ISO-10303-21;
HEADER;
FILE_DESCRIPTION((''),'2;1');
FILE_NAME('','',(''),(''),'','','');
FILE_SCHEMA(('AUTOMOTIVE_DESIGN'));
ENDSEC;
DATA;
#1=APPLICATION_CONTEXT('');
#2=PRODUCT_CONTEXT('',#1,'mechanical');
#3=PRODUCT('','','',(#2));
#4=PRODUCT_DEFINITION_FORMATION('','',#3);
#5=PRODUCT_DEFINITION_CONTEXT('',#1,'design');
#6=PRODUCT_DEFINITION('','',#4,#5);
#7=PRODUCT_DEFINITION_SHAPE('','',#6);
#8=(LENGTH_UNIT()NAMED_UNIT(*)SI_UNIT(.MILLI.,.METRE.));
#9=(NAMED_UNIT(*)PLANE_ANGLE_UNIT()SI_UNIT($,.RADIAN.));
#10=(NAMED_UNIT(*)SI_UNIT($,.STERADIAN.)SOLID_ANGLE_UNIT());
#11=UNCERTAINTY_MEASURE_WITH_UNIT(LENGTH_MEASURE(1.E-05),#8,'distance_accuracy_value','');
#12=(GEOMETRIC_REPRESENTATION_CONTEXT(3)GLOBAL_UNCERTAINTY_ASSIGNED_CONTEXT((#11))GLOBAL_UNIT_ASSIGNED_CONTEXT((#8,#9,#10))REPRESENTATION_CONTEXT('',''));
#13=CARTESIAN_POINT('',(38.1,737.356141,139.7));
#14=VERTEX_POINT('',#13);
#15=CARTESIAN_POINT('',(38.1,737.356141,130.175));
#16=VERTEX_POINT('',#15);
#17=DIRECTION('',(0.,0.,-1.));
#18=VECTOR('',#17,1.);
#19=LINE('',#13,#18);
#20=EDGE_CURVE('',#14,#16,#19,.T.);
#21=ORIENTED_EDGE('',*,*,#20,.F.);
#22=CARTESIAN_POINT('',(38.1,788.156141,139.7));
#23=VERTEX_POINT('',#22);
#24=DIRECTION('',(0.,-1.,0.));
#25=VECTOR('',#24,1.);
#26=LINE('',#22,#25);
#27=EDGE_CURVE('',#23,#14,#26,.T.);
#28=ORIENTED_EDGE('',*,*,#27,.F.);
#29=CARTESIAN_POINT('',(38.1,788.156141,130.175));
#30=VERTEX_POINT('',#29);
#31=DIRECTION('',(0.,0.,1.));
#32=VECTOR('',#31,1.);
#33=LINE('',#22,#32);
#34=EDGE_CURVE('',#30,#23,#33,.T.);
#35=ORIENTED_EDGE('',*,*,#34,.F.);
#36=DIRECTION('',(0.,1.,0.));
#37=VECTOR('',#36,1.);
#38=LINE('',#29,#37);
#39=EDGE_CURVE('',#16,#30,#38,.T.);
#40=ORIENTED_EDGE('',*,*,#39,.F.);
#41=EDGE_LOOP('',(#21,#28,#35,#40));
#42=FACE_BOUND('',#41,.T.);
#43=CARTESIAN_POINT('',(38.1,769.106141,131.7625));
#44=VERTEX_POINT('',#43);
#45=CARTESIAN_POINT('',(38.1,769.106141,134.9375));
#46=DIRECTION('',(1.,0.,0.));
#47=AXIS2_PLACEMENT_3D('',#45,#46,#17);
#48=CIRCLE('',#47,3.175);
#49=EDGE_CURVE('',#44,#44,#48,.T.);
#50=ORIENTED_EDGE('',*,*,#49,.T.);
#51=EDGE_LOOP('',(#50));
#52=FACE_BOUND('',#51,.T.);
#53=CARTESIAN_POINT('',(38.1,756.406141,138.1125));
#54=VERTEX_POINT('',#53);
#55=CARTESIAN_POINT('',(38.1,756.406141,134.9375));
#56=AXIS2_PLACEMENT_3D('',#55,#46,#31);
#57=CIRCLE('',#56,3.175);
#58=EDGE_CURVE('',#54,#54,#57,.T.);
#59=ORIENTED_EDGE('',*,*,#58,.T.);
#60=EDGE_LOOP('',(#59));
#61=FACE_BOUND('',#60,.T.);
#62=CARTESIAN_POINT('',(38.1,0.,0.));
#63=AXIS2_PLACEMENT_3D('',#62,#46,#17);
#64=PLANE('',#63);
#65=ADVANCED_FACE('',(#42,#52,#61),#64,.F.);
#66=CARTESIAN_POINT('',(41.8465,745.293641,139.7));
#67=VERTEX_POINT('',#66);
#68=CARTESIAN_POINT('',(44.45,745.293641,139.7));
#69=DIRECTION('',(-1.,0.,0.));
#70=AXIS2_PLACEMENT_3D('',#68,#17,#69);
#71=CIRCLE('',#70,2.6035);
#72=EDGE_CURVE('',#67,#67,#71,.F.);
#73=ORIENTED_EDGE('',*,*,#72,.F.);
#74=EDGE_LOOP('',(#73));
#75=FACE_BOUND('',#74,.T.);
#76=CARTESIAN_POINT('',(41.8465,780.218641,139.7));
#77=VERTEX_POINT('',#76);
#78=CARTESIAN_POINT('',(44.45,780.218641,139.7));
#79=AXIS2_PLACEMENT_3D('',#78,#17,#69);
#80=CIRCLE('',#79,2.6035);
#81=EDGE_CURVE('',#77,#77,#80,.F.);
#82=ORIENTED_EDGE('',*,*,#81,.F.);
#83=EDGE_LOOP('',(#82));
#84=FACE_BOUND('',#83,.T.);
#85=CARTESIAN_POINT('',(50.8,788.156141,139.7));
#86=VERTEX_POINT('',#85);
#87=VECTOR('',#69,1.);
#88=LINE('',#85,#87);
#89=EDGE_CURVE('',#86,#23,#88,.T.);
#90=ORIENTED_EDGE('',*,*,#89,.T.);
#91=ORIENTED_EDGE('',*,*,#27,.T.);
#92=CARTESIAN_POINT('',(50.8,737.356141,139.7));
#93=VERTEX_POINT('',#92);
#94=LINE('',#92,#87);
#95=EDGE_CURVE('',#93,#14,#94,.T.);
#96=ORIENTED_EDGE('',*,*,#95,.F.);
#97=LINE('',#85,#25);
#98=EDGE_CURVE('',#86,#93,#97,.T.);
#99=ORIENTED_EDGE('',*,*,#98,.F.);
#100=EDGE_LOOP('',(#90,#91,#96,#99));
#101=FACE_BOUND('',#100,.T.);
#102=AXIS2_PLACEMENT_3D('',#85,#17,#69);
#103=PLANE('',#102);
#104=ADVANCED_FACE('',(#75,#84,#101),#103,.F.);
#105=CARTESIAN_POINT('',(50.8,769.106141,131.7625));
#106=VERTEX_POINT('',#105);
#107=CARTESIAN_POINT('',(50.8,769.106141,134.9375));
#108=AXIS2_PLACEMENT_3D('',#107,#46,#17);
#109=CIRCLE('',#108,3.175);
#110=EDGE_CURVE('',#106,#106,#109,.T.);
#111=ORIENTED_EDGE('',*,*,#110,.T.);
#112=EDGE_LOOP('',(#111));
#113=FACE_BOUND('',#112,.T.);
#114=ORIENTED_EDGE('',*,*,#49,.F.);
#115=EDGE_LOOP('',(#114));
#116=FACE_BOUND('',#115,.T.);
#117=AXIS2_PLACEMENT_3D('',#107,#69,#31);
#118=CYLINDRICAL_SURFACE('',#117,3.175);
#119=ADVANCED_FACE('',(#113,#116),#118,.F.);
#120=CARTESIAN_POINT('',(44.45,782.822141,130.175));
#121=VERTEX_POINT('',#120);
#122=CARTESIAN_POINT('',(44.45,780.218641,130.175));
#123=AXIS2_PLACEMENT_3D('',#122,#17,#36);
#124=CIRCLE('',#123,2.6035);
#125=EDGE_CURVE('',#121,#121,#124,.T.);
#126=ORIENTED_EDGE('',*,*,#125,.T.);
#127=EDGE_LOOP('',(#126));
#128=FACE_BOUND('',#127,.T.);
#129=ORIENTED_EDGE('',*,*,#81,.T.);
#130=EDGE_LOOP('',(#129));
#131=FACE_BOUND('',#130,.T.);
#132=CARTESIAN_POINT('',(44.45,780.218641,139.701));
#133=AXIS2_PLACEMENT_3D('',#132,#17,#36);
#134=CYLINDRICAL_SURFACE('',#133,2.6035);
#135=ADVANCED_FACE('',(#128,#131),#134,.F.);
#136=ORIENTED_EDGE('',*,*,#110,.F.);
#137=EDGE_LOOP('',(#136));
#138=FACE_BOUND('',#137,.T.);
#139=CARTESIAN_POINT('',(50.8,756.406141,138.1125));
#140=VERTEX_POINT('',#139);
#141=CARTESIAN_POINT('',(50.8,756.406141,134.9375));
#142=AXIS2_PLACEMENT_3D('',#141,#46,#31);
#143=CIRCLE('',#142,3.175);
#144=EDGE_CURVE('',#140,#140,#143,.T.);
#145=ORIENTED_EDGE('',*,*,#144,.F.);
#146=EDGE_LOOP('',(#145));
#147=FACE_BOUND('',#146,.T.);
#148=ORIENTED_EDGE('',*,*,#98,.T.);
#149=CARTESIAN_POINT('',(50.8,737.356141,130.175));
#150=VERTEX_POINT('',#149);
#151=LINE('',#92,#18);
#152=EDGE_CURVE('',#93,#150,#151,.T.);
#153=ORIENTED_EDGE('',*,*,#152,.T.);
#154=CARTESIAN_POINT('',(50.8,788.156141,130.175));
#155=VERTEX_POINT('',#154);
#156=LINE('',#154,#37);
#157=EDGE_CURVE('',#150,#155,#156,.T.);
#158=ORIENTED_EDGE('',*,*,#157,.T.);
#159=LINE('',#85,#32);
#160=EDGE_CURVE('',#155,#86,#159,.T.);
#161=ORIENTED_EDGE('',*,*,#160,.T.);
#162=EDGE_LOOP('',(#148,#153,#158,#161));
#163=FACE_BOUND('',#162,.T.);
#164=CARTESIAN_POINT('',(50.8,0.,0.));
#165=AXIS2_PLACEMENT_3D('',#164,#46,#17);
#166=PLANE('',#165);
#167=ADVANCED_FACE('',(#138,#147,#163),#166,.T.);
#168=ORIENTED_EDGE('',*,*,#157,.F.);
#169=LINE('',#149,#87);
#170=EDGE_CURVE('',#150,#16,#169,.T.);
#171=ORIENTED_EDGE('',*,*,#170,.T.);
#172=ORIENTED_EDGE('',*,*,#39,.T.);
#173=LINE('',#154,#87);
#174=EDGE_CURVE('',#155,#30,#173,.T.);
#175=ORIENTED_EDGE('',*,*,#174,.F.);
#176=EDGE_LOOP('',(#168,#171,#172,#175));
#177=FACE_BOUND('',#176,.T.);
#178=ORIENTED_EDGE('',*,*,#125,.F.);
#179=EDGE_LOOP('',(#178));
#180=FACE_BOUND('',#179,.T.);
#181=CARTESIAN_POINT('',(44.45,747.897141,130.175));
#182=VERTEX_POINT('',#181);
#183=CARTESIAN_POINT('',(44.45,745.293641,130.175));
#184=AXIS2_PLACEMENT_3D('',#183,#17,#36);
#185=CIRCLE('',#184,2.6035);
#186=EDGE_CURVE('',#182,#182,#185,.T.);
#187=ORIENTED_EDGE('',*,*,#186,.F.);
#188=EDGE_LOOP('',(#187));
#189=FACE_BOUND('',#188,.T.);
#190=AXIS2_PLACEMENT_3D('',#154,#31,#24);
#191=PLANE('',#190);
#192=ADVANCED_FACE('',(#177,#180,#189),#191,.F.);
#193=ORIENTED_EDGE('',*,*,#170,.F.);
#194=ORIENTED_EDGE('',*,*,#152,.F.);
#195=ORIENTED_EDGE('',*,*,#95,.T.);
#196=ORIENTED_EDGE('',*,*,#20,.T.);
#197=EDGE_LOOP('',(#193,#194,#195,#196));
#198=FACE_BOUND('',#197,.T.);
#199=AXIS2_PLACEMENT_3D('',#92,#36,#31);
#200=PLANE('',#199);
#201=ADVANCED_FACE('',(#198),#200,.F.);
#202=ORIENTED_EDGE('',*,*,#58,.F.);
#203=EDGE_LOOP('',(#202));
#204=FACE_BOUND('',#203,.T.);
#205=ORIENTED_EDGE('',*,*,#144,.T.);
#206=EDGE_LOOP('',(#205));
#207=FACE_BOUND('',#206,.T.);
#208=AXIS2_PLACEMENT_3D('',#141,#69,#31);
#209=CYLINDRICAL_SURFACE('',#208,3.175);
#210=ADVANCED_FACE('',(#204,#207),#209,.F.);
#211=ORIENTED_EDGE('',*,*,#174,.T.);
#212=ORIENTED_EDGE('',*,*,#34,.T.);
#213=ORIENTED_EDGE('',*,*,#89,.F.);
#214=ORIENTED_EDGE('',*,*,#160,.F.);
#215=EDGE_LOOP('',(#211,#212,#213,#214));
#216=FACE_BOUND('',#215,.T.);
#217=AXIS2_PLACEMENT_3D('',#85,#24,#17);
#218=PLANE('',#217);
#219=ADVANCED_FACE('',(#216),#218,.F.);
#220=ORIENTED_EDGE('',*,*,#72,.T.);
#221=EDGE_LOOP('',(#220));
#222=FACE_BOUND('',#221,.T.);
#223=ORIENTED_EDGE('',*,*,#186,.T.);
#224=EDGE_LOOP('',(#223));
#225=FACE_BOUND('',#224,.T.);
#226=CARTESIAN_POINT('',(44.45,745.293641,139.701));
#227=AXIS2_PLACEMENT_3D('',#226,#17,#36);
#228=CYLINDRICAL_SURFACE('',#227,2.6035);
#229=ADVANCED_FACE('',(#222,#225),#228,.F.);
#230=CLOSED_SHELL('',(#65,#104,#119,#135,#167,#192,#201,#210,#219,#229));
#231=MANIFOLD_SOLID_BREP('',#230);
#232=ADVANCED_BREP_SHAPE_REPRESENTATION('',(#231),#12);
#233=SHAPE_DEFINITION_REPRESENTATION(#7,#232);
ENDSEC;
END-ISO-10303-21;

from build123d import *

# Parameters (mm, degrees)
SKETCH1_W           = 9.525
SKETCH1_H           = 50.8
SKETCH1_R           = 3.175
BOSS_EXTRUDE1_DEPTH = 12.7
CUT_EXTRUDE1_REACH  = 791.849
SKETCH2_R           = 2.6035


with BuildPart() as part:
    # Sketch1 → Boss-Extrude1 (new body)
    with BuildSketch(Plane(origin=(38.1, 0, 0), x_dir=(0, 0, -1), z_dir=(1, 0, 0))):
        with Locations((-134.9375, 762.756140976)):
            Rectangle(SKETCH1_W, SKETCH1_H)
        with Locations((-134.9375, 769.106140976)):
            Circle(SKETCH1_R, mode=Mode.SUBTRACT)
        with Locations(Location((-134.9375, 756.406140976, 0), (0, 0, 180))):
            Circle(SKETCH1_R, mode=Mode.SUBTRACT)
    extrude(amount=BOSS_EXTRUDE1_DEPTH)

    # Sketch2 → Cut-Extrude1 (cut, up to next)
    with BuildSketch(Plane(origin=(0, 0, 130.175), x_dir=(-1, 0, 0), z_dir=(0, 0, -1)), mode=Mode.PRIVATE) as cut_extrude1_sk1:
        with Locations(Location((-44.45, 780.218640976, 0), (0, 0, 90))):
            Circle(SKETCH2_R)
    cut_extrude1_tool1 = extrude(cut_extrude1_sk1.sketch, amount=-CUT_EXTRUDE1_REACH, mode=Mode.PRIVATE) & part.part
    # Sketch2 → Cut-Extrude1 (cut, up to next)
    with BuildSketch(Plane(origin=(0, 0, 130.175), x_dir=(-1, 0, 0), z_dir=(0, 0, -1)), mode=Mode.PRIVATE) as cut_extrude1_sk2:
        with Locations(Location((-44.45, 745.293640976, 0), (0, 0, 90))):
            Circle(SKETCH2_R)
    cut_extrude1_tool2 = extrude(cut_extrude1_sk2.sketch, amount=-CUT_EXTRUDE1_REACH, mode=Mode.PRIVATE) & part.part
    add(cut_extrude1_tool1.solids().sort_by_distance((44.45, 780.218641, 130.175))[0], mode=Mode.SUBTRACT)
    add(cut_extrude1_tool2.solids().sort_by_distance((44.45, 745.293641, 130.175))[0], mode=Mode.SUBTRACT)


solid = part.part
